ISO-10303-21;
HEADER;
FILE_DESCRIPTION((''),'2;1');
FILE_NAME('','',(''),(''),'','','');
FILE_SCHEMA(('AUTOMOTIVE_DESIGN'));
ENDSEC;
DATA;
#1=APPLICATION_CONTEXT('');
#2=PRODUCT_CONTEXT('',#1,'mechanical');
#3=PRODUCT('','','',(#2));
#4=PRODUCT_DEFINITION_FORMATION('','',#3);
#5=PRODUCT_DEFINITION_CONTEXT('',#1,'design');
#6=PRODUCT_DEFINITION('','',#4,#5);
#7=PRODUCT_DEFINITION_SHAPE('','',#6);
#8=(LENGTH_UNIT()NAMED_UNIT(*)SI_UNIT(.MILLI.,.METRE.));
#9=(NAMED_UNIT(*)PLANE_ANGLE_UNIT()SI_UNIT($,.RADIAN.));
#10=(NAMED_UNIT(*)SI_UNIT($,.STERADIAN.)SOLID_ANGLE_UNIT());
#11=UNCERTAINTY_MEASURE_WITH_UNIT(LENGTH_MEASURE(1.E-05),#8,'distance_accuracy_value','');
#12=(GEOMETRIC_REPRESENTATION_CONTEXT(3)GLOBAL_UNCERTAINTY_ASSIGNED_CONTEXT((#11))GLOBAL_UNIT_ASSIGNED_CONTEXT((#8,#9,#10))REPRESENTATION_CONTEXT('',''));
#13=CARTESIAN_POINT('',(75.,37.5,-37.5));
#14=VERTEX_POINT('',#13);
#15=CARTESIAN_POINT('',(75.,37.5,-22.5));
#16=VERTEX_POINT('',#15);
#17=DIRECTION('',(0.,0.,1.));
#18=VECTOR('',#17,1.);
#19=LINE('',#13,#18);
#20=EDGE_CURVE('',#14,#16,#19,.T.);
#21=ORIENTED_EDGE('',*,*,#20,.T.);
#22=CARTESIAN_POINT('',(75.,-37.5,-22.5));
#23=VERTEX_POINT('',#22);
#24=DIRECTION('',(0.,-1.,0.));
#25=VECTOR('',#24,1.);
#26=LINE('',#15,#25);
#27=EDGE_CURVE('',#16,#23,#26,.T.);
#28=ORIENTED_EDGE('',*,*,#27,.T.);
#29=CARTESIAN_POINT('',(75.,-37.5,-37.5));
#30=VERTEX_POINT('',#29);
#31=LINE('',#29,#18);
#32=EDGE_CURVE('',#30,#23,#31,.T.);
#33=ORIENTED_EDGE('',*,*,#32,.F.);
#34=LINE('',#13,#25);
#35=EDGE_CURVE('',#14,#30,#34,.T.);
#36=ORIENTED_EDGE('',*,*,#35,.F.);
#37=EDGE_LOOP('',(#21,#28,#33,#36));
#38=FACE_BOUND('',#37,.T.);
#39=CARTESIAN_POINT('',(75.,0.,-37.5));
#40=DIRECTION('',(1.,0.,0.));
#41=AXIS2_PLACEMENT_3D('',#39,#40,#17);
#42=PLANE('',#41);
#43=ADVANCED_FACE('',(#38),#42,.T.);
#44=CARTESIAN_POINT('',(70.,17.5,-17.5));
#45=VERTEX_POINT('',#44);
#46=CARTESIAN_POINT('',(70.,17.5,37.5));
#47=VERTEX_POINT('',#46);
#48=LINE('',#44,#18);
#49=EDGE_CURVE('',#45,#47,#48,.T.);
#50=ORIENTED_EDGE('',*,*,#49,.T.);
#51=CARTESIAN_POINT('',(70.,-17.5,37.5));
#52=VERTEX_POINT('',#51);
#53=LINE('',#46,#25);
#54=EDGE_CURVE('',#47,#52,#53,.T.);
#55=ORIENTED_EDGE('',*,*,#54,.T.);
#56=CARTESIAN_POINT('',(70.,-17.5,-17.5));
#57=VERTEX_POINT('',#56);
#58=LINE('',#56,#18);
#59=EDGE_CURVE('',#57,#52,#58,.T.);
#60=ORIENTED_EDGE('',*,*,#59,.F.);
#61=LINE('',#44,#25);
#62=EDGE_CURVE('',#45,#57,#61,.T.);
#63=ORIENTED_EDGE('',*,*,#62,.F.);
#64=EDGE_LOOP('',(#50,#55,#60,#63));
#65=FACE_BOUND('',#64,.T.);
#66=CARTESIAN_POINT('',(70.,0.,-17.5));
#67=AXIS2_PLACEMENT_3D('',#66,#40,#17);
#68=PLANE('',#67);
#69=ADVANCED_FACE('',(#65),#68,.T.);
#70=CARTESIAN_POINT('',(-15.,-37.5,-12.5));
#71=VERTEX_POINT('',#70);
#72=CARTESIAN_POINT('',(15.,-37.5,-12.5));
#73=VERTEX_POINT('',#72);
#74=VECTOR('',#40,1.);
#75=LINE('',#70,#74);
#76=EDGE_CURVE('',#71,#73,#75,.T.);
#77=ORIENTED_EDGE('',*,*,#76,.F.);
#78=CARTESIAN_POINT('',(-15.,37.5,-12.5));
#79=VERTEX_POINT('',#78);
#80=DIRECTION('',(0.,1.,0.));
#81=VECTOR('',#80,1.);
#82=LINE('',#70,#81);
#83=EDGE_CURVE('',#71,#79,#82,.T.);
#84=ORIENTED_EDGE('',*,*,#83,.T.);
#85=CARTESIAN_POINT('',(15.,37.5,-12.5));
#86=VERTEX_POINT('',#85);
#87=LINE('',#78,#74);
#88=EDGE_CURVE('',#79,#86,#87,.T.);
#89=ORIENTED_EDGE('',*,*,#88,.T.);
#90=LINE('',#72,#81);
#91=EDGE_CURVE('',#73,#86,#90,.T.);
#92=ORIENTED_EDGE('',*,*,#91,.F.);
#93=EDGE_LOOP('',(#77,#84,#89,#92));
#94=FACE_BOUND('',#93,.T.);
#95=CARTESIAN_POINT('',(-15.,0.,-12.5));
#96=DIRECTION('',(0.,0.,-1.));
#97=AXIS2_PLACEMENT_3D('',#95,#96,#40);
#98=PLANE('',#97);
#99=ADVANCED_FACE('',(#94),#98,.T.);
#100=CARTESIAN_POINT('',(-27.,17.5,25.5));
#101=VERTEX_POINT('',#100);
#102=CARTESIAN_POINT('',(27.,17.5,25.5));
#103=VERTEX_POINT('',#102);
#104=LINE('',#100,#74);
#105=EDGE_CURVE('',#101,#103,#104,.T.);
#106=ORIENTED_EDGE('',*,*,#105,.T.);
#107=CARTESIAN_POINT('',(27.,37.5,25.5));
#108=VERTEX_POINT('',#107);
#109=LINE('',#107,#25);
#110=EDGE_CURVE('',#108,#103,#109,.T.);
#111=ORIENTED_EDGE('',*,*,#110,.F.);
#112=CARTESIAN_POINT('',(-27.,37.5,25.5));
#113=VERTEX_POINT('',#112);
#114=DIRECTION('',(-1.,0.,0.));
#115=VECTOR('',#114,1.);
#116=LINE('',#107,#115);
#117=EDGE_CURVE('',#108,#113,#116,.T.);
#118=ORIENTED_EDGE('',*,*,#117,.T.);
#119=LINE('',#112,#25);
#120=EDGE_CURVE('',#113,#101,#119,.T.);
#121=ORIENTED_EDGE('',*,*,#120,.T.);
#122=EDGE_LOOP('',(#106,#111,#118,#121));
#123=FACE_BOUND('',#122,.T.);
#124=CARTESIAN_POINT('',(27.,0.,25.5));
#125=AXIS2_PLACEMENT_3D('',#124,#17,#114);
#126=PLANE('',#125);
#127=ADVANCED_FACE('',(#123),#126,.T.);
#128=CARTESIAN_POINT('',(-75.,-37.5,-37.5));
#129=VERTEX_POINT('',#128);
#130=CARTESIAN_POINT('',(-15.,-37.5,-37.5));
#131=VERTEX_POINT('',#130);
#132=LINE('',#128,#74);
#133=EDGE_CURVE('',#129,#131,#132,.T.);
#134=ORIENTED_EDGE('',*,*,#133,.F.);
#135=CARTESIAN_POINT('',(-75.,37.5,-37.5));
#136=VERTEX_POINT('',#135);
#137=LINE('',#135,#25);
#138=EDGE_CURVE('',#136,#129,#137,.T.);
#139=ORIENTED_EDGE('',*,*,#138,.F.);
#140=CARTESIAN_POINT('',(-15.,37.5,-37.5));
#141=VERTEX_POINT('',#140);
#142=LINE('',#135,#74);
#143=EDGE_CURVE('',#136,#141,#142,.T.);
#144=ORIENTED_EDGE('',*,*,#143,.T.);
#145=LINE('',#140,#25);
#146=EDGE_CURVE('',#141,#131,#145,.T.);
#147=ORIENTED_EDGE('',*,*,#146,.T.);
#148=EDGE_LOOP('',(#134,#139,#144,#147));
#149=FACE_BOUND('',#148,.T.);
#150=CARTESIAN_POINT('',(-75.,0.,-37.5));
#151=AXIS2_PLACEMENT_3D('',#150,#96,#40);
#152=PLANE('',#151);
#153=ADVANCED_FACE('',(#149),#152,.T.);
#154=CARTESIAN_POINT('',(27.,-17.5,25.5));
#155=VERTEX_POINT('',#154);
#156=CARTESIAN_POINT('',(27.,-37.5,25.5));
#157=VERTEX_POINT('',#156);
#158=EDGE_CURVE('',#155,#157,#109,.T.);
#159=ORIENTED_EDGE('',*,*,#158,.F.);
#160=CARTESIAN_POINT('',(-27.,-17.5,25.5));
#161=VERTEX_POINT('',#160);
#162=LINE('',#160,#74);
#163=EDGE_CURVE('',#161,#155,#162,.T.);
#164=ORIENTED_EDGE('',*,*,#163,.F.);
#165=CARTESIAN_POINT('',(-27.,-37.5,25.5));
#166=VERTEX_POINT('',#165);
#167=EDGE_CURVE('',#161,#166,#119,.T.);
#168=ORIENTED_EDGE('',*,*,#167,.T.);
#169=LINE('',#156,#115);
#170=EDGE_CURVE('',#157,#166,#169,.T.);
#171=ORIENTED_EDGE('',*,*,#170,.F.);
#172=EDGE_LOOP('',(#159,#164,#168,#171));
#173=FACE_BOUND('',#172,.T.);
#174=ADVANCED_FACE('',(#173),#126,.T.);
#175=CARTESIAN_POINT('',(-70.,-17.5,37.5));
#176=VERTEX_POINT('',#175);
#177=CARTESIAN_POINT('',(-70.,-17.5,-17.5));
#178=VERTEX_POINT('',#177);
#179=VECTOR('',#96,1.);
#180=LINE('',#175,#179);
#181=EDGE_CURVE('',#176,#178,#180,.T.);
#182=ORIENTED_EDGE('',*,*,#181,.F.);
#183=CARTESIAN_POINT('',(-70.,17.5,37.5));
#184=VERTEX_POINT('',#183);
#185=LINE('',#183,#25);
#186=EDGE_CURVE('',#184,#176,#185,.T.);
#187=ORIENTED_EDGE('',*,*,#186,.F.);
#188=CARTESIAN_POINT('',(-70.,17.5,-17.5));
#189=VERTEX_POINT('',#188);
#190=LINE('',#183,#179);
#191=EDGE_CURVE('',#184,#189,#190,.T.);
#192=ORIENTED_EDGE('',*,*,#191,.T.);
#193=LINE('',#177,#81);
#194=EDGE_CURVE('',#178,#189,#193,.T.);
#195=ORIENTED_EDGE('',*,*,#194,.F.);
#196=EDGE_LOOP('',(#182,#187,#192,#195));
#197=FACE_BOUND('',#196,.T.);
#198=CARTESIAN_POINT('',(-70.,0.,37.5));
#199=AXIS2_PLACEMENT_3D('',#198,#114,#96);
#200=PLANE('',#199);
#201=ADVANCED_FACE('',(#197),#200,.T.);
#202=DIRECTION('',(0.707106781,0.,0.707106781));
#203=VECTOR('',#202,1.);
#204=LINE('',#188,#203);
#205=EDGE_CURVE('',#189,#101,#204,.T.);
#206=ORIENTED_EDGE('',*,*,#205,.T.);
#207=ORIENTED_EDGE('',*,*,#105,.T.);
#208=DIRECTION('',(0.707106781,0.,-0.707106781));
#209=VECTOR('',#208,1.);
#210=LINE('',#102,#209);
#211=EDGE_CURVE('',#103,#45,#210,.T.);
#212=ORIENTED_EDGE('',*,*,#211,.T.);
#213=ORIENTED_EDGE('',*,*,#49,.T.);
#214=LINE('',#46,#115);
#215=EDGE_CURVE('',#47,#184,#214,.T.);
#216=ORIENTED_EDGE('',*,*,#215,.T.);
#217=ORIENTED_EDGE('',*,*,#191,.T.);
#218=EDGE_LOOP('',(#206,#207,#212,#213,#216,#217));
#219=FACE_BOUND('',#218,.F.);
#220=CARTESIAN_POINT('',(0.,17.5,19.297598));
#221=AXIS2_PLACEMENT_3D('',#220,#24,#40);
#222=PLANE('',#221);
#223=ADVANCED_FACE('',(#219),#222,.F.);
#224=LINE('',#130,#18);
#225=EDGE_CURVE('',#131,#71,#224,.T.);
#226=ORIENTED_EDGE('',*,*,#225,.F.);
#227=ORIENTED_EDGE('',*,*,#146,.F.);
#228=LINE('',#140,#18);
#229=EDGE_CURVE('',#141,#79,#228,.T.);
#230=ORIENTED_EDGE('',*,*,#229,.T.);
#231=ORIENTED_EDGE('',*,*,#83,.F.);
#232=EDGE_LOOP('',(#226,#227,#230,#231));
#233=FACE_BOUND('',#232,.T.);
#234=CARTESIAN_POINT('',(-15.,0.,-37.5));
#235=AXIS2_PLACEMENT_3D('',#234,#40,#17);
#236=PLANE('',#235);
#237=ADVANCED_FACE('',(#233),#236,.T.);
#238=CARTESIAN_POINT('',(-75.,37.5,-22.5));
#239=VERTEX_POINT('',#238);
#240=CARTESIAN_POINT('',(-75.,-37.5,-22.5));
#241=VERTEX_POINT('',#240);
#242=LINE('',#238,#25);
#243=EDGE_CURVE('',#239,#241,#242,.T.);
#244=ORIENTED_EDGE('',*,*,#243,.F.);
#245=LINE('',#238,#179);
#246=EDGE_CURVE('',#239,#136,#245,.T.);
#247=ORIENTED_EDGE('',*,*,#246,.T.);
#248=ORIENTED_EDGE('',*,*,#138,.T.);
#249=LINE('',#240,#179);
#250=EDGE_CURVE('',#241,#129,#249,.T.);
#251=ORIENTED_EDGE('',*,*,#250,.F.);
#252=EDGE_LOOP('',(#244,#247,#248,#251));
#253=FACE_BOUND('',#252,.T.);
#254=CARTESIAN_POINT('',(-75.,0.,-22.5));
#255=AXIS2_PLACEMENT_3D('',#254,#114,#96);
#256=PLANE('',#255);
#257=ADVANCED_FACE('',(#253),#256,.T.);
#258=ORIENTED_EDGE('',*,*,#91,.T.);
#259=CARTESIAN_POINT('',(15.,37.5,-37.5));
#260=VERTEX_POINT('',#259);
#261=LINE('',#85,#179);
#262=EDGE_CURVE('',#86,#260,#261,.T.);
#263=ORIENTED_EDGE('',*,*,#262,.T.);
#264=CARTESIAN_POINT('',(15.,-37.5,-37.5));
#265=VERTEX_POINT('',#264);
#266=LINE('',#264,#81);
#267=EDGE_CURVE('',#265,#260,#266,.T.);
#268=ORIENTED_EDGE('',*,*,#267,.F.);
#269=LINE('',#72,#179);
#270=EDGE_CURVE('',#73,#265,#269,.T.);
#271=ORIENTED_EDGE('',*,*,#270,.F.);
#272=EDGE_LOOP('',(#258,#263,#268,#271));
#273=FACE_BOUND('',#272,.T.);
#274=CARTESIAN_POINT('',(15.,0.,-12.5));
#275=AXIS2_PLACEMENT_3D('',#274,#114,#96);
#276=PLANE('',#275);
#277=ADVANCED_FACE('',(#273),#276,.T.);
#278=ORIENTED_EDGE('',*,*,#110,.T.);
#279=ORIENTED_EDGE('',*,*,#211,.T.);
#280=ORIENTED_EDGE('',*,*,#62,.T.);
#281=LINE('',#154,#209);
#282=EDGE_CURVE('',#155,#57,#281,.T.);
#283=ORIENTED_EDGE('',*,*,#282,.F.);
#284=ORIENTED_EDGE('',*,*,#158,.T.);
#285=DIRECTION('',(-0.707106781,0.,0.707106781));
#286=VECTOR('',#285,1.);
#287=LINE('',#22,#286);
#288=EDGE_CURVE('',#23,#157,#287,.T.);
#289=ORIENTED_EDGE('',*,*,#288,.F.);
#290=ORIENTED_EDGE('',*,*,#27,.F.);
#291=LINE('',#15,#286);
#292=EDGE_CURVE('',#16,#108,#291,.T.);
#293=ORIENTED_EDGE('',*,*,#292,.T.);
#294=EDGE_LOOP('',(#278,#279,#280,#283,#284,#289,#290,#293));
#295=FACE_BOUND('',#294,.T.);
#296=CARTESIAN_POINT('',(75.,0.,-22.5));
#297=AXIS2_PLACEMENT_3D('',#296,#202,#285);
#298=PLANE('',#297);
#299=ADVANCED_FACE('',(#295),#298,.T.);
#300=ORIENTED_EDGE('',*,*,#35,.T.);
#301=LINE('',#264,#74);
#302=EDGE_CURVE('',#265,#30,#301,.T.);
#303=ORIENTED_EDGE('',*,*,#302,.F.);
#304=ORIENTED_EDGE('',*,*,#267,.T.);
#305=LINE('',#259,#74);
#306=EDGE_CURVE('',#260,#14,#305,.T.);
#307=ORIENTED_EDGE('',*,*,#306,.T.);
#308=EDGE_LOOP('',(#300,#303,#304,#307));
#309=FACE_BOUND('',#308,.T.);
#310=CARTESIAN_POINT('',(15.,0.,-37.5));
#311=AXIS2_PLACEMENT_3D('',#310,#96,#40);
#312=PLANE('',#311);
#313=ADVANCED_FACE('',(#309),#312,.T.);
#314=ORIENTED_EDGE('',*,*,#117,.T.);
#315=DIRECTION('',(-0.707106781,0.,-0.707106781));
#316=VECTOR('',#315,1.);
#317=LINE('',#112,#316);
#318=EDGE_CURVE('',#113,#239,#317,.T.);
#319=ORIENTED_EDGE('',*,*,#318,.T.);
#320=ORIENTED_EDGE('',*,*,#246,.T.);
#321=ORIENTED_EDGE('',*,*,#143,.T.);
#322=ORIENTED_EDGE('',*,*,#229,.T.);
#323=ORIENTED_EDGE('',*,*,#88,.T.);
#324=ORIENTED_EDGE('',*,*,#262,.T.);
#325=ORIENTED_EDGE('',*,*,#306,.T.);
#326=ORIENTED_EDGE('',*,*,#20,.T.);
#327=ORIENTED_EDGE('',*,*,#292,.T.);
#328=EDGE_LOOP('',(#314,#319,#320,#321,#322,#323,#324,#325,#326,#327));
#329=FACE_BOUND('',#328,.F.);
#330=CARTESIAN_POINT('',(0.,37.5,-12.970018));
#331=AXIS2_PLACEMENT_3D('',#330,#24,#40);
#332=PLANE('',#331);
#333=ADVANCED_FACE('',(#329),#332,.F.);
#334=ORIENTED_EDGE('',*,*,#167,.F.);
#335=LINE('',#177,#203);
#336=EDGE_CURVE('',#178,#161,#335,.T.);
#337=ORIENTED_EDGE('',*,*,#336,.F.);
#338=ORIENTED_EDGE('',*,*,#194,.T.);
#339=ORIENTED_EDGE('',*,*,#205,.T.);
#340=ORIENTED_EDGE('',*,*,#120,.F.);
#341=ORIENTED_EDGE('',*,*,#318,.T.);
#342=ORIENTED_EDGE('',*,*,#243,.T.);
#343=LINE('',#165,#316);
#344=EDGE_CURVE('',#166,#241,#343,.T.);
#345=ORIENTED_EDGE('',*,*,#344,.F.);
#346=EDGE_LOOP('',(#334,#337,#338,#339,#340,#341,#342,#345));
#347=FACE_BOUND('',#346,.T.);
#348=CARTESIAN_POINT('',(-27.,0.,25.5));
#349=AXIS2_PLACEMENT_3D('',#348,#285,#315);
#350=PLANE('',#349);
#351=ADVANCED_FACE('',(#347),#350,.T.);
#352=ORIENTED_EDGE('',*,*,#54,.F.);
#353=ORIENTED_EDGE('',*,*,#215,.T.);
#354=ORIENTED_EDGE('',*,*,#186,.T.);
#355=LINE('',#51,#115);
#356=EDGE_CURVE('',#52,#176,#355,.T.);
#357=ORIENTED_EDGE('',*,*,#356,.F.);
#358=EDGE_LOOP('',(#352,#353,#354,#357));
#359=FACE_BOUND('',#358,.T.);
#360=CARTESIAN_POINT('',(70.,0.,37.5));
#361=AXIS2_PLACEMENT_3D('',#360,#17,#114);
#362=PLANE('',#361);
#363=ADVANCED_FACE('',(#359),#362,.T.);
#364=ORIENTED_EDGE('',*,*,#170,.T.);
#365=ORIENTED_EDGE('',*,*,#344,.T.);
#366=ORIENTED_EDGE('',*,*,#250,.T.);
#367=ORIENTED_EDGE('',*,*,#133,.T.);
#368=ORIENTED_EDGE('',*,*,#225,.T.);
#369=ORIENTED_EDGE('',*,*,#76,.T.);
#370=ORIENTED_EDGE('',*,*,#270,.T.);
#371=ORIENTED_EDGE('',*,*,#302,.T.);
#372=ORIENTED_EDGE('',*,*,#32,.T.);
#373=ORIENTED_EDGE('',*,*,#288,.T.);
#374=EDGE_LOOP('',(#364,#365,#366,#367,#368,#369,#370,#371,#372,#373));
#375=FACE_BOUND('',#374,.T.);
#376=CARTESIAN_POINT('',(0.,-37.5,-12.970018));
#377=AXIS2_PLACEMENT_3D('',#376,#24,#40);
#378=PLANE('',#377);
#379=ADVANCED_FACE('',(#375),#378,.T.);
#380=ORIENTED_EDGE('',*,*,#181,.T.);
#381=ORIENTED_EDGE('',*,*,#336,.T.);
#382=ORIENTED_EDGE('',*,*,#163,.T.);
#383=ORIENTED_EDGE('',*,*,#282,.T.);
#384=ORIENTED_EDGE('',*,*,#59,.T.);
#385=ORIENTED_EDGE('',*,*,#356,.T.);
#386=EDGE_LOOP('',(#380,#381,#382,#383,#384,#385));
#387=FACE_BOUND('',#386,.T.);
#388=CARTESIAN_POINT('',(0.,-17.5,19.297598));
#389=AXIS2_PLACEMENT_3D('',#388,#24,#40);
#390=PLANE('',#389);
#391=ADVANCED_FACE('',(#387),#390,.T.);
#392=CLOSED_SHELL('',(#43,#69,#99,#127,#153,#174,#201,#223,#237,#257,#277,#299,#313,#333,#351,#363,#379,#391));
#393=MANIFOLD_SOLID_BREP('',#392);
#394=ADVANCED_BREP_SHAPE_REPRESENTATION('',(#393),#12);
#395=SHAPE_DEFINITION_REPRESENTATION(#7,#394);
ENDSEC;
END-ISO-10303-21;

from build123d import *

# Parameters (mm, degrees)
F1_DEPTH = 37.5
F2_DEPTH = 17.5


with BuildPart() as f1:
    # F0 (on Front) → F1 (new body, symmetric)
    with BuildSketch(Plane.XZ):
        Polygon((15, -37.5), (75, -37.5), (75, -22.5), (70, -17.5), (27, 25.5), (-27, 25.5), (-70, -17.5), (-75, -22.5), (-75, -37.5), (-15, -37.5), (-15, -12.5), (15, -12.5), align=None)
    extrude(amount=F1_DEPTH, both=True)

    # F0 (on Front) → F2 (join, symmetric)
    with BuildSketch(Plane.XZ):
        Polygon((27, 25.5), (70, -17.5), (70, 37.5), (-70, 37.5), (-70, -17.5), (-27, 25.5), align=None)
    extrude(amount=F2_DEPTH, both=True)


solid = f1.part
